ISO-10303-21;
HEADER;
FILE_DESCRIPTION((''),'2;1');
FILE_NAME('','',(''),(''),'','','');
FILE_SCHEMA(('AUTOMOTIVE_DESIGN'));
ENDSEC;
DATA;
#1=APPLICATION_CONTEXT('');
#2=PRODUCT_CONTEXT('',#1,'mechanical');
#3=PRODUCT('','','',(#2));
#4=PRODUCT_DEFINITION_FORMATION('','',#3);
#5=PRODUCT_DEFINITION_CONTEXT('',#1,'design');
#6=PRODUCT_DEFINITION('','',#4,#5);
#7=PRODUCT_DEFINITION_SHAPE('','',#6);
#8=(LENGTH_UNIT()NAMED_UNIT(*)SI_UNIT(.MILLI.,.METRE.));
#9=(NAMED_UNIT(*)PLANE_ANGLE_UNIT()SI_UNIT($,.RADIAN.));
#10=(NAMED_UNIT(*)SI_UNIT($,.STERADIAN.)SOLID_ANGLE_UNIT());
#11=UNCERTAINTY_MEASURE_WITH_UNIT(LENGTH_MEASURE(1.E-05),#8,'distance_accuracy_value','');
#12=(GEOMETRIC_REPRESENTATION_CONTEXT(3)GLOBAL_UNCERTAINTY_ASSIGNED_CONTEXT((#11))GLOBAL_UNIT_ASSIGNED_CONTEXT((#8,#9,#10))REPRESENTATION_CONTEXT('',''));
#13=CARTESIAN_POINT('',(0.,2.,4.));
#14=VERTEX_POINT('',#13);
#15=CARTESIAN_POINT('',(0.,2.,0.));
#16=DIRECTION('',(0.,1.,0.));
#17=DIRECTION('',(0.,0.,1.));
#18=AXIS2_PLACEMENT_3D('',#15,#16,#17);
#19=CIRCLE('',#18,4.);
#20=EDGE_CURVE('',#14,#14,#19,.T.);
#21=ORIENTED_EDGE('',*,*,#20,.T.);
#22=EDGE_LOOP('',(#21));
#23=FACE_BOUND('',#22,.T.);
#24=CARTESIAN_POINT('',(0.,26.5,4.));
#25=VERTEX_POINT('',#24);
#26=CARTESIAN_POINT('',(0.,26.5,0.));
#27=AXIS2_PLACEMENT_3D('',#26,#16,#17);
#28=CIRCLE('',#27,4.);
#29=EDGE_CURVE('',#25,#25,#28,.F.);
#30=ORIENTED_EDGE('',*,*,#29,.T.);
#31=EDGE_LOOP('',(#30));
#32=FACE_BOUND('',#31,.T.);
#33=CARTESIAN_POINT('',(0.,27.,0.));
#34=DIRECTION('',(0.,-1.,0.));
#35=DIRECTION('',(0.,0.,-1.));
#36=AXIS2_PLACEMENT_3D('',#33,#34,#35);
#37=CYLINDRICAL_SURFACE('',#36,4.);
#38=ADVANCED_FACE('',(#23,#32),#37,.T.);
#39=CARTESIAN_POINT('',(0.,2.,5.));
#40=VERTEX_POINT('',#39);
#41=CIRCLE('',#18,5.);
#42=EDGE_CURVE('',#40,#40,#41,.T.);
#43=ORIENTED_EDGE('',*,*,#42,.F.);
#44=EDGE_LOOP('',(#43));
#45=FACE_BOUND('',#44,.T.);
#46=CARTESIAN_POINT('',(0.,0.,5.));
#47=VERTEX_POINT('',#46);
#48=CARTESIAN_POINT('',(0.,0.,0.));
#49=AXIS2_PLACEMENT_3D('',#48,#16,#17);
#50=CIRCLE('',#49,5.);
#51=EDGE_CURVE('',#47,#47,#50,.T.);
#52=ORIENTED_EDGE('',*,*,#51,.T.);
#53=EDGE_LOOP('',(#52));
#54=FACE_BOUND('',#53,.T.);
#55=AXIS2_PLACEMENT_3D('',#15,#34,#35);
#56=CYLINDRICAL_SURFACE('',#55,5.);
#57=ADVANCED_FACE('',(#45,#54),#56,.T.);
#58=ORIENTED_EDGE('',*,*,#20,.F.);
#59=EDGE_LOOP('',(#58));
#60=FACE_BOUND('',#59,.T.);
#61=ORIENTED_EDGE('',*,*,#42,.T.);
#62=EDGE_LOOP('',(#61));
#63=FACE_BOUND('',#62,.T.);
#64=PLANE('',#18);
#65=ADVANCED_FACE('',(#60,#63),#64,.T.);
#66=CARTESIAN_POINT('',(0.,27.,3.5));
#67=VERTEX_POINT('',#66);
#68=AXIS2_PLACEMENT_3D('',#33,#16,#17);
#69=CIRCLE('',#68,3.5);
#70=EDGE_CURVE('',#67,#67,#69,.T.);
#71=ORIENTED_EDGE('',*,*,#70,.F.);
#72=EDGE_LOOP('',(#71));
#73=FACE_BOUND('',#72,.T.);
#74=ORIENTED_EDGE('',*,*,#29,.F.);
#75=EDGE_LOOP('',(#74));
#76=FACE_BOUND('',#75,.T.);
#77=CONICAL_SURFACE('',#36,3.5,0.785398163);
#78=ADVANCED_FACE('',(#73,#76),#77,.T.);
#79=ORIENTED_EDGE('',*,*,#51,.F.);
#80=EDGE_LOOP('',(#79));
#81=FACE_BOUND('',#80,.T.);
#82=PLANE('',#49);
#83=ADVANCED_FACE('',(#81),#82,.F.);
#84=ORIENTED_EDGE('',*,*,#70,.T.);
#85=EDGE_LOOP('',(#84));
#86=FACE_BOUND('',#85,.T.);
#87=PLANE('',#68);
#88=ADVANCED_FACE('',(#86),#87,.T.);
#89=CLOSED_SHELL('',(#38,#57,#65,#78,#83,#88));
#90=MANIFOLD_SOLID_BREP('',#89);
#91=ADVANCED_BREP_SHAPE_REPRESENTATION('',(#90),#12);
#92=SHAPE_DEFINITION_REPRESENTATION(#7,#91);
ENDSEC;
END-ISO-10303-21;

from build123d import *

# Parameters (mm, degrees)
SKETCH1_R           = 5
BOSS_EXTRUDE1_DEPTH = 2
SKETCH2_R           = 4
BOSS_EXTRUDE2_DEPTH = 25
CHAMFER1_SIZE       = 0.5


with BuildPart() as part:
    # Sketch1 → Boss-Extrude1 (new body)
    with BuildSketch(Plane(origin=(0, 0, 0), x_dir=(1, 0, 0), z_dir=(0, 1, 0))):
        Circle(SKETCH1_R)
    extrude(amount=BOSS_EXTRUDE1_DEPTH)

    # Sketch2 → Boss-Extrude2 (add)
    with BuildSketch(Plane(origin=(0, 2, 0), x_dir=(1, 0, 0), z_dir=(0, 1, 0))):
        Circle(SKETCH2_R)
    extrude(amount=BOSS_EXTRUDE2_DEPTH)

    # Chamfer1
    chamfer1_edges = [part.edges().sort_by_distance(p)[0] for p in [
        (-4, 27, 0),
    ]]
    chamfer(chamfer1_edges, length=CHAMFER1_SIZE)


solid = part.part
